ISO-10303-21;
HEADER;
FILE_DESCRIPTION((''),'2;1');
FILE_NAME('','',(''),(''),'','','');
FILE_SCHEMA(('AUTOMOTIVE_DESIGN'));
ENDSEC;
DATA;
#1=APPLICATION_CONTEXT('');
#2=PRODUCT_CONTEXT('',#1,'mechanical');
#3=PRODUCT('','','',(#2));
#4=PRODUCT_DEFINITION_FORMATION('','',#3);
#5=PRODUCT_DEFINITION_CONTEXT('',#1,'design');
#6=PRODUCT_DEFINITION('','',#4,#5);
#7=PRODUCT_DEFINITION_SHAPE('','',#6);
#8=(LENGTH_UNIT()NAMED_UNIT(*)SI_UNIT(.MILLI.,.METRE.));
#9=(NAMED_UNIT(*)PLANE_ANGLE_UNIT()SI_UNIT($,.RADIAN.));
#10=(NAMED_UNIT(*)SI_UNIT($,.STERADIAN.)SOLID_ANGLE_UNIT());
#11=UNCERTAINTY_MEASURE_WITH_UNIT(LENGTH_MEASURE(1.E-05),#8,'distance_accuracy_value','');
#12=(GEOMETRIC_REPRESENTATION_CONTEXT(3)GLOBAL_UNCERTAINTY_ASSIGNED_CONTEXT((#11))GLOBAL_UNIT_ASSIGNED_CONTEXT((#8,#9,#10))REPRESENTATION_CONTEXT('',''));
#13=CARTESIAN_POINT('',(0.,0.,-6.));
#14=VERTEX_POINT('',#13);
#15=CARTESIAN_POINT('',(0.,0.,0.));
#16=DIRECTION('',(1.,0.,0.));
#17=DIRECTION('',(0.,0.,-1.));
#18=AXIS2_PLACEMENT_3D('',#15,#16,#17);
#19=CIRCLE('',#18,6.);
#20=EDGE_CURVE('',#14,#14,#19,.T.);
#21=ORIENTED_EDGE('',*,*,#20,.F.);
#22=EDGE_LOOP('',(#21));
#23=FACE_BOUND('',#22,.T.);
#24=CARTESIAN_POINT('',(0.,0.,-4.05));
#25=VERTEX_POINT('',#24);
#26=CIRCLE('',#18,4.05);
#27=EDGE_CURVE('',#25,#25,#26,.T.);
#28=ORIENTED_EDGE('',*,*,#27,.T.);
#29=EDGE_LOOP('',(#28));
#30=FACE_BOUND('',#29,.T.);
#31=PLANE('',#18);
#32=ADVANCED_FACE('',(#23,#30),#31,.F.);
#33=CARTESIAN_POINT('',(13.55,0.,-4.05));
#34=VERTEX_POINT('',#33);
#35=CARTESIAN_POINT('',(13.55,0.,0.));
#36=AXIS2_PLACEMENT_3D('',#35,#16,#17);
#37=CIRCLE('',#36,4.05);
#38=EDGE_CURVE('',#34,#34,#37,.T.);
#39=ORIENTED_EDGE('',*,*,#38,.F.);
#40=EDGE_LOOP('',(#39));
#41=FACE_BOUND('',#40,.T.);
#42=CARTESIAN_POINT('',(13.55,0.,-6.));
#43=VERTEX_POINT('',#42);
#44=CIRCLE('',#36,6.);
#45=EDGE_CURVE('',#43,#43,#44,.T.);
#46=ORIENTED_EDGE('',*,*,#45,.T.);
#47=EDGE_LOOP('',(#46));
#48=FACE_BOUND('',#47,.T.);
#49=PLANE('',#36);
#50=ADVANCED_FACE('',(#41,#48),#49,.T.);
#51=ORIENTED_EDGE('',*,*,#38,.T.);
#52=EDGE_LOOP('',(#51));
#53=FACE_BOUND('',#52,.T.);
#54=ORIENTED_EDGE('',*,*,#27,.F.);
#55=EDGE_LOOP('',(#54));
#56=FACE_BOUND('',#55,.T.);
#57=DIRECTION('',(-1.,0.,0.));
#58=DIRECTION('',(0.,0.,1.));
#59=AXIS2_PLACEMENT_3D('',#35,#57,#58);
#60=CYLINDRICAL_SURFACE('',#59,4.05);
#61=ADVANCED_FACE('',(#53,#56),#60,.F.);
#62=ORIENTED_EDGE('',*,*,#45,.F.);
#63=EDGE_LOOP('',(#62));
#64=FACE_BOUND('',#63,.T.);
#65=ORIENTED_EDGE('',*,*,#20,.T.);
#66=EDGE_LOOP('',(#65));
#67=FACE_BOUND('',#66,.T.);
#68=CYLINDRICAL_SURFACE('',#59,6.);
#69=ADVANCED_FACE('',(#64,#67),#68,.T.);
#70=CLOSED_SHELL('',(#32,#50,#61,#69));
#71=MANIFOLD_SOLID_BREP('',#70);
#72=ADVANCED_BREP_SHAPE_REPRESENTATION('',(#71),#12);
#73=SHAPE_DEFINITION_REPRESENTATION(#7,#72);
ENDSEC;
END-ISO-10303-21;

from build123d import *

# Parameters (mm, degrees)
SKETCH2_R           = 6
SKETCH2_R_2         = 4.05
BOSS_EXTRUDE1_DEPTH = 13.55


with BuildPart() as part:
    # Sketch2 → Boss-Extrude1 (new body)
    with BuildSketch(Plane(origin=(0, 0, 0), x_dir=(0, 0, -1), z_dir=(1, 0, 0))):
        Circle(SKETCH2_R)
        Circle(SKETCH2_R_2, mode=Mode.SUBTRACT)
    extrude(amount=BOSS_EXTRUDE1_DEPTH)


solid = part.part
